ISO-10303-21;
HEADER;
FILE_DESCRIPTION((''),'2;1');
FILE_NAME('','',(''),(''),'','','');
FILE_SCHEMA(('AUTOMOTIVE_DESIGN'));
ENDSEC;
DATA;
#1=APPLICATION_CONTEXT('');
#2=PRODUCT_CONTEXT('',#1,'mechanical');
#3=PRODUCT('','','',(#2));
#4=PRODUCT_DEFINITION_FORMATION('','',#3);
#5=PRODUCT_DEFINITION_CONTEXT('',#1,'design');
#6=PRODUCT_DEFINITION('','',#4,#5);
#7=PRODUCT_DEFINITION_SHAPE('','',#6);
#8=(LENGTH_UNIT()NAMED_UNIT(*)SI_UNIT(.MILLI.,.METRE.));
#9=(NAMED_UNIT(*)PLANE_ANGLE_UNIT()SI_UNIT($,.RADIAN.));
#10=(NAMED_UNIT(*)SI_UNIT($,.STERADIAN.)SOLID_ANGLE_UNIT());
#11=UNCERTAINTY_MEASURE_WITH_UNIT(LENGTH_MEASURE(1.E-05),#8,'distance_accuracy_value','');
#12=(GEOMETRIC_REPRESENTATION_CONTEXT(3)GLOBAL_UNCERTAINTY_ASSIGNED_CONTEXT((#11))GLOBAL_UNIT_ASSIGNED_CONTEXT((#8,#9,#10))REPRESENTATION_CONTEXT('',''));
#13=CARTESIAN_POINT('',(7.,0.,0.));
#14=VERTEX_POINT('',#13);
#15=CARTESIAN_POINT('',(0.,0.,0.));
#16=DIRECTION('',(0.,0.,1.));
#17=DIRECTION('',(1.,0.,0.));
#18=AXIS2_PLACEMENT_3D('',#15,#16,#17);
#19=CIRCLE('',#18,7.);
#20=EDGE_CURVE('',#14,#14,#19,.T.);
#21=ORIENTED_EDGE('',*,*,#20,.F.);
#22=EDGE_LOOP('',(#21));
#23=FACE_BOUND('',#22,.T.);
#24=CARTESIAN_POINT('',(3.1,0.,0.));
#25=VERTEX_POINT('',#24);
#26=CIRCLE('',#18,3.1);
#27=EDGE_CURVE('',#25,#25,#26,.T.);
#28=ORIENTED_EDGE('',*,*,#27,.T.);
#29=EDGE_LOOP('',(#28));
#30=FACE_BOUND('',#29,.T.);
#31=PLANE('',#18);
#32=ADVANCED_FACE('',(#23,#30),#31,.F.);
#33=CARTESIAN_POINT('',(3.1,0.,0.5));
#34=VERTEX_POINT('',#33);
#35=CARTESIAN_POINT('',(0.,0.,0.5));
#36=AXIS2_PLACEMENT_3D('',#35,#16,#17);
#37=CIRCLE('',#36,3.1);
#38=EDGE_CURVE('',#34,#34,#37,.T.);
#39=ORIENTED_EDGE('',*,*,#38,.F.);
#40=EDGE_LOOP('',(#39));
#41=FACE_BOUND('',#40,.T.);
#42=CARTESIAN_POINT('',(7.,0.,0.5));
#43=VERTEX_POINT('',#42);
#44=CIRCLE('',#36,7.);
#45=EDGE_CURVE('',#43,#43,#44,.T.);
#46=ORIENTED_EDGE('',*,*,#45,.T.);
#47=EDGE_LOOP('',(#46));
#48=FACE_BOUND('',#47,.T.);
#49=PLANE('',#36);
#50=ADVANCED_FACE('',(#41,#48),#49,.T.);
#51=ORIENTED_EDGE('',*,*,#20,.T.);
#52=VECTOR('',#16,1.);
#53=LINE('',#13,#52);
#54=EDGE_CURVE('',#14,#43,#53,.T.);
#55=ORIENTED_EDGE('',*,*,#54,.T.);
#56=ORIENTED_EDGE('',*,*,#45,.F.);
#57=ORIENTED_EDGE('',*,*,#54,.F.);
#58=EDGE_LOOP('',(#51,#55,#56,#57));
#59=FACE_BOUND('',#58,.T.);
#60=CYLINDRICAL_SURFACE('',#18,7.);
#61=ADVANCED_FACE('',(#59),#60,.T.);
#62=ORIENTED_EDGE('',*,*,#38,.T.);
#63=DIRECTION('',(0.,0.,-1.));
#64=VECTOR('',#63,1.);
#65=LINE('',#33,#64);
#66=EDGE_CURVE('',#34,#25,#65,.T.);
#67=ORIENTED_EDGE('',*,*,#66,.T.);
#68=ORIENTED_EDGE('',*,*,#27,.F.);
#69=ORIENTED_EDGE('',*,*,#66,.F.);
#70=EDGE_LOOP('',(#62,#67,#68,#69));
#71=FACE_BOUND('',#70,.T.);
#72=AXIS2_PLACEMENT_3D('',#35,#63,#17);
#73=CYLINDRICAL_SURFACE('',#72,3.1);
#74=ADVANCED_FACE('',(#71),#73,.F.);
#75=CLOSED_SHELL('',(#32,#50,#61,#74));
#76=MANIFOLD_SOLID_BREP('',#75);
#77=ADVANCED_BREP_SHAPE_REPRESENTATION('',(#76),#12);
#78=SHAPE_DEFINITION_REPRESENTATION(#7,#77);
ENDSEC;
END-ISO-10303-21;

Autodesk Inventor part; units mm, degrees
ref_plane "YZ Plane" through (0, 0, 0) normal (1, 0, 0) x (0, 1, 0)
ref_plane "XZ Plane" through (0, 0, 0) normal (0, 1, 0) x (-1, 0, 0)
ref_plane "XY Plane" through (0, 0, 0) normal (0, 0, 1) x (1, 0, 0)
sketch "Sketch1" plane through (0, 0, 0) normal (0, 1, 0) x (-1, 0, 0)
  line L0 (0, 0) -> (0, 0.5)
  line L1 (-3.1, 0.5) -> (-3.1, 0)
  line L2 (-3.1, 0) -> (-7, 0)
  line L3 (-7, 0) -> (-7, 0.5)
  line L4 (-7, 0.5) -> (-3.1, 0.5)
  dimension "InsideDiameter" = 6.2
  dimension "OuterDiameter" = 14
  dimension "Thickness" = 0.5
revolve "Revolution1" add sketch "Sketch1" angle 360 about axis through (0, 0, 0) along (0, 0, 1)
properties part number "UUW-0614-05H" material "Stainless Steel AISI 304"
